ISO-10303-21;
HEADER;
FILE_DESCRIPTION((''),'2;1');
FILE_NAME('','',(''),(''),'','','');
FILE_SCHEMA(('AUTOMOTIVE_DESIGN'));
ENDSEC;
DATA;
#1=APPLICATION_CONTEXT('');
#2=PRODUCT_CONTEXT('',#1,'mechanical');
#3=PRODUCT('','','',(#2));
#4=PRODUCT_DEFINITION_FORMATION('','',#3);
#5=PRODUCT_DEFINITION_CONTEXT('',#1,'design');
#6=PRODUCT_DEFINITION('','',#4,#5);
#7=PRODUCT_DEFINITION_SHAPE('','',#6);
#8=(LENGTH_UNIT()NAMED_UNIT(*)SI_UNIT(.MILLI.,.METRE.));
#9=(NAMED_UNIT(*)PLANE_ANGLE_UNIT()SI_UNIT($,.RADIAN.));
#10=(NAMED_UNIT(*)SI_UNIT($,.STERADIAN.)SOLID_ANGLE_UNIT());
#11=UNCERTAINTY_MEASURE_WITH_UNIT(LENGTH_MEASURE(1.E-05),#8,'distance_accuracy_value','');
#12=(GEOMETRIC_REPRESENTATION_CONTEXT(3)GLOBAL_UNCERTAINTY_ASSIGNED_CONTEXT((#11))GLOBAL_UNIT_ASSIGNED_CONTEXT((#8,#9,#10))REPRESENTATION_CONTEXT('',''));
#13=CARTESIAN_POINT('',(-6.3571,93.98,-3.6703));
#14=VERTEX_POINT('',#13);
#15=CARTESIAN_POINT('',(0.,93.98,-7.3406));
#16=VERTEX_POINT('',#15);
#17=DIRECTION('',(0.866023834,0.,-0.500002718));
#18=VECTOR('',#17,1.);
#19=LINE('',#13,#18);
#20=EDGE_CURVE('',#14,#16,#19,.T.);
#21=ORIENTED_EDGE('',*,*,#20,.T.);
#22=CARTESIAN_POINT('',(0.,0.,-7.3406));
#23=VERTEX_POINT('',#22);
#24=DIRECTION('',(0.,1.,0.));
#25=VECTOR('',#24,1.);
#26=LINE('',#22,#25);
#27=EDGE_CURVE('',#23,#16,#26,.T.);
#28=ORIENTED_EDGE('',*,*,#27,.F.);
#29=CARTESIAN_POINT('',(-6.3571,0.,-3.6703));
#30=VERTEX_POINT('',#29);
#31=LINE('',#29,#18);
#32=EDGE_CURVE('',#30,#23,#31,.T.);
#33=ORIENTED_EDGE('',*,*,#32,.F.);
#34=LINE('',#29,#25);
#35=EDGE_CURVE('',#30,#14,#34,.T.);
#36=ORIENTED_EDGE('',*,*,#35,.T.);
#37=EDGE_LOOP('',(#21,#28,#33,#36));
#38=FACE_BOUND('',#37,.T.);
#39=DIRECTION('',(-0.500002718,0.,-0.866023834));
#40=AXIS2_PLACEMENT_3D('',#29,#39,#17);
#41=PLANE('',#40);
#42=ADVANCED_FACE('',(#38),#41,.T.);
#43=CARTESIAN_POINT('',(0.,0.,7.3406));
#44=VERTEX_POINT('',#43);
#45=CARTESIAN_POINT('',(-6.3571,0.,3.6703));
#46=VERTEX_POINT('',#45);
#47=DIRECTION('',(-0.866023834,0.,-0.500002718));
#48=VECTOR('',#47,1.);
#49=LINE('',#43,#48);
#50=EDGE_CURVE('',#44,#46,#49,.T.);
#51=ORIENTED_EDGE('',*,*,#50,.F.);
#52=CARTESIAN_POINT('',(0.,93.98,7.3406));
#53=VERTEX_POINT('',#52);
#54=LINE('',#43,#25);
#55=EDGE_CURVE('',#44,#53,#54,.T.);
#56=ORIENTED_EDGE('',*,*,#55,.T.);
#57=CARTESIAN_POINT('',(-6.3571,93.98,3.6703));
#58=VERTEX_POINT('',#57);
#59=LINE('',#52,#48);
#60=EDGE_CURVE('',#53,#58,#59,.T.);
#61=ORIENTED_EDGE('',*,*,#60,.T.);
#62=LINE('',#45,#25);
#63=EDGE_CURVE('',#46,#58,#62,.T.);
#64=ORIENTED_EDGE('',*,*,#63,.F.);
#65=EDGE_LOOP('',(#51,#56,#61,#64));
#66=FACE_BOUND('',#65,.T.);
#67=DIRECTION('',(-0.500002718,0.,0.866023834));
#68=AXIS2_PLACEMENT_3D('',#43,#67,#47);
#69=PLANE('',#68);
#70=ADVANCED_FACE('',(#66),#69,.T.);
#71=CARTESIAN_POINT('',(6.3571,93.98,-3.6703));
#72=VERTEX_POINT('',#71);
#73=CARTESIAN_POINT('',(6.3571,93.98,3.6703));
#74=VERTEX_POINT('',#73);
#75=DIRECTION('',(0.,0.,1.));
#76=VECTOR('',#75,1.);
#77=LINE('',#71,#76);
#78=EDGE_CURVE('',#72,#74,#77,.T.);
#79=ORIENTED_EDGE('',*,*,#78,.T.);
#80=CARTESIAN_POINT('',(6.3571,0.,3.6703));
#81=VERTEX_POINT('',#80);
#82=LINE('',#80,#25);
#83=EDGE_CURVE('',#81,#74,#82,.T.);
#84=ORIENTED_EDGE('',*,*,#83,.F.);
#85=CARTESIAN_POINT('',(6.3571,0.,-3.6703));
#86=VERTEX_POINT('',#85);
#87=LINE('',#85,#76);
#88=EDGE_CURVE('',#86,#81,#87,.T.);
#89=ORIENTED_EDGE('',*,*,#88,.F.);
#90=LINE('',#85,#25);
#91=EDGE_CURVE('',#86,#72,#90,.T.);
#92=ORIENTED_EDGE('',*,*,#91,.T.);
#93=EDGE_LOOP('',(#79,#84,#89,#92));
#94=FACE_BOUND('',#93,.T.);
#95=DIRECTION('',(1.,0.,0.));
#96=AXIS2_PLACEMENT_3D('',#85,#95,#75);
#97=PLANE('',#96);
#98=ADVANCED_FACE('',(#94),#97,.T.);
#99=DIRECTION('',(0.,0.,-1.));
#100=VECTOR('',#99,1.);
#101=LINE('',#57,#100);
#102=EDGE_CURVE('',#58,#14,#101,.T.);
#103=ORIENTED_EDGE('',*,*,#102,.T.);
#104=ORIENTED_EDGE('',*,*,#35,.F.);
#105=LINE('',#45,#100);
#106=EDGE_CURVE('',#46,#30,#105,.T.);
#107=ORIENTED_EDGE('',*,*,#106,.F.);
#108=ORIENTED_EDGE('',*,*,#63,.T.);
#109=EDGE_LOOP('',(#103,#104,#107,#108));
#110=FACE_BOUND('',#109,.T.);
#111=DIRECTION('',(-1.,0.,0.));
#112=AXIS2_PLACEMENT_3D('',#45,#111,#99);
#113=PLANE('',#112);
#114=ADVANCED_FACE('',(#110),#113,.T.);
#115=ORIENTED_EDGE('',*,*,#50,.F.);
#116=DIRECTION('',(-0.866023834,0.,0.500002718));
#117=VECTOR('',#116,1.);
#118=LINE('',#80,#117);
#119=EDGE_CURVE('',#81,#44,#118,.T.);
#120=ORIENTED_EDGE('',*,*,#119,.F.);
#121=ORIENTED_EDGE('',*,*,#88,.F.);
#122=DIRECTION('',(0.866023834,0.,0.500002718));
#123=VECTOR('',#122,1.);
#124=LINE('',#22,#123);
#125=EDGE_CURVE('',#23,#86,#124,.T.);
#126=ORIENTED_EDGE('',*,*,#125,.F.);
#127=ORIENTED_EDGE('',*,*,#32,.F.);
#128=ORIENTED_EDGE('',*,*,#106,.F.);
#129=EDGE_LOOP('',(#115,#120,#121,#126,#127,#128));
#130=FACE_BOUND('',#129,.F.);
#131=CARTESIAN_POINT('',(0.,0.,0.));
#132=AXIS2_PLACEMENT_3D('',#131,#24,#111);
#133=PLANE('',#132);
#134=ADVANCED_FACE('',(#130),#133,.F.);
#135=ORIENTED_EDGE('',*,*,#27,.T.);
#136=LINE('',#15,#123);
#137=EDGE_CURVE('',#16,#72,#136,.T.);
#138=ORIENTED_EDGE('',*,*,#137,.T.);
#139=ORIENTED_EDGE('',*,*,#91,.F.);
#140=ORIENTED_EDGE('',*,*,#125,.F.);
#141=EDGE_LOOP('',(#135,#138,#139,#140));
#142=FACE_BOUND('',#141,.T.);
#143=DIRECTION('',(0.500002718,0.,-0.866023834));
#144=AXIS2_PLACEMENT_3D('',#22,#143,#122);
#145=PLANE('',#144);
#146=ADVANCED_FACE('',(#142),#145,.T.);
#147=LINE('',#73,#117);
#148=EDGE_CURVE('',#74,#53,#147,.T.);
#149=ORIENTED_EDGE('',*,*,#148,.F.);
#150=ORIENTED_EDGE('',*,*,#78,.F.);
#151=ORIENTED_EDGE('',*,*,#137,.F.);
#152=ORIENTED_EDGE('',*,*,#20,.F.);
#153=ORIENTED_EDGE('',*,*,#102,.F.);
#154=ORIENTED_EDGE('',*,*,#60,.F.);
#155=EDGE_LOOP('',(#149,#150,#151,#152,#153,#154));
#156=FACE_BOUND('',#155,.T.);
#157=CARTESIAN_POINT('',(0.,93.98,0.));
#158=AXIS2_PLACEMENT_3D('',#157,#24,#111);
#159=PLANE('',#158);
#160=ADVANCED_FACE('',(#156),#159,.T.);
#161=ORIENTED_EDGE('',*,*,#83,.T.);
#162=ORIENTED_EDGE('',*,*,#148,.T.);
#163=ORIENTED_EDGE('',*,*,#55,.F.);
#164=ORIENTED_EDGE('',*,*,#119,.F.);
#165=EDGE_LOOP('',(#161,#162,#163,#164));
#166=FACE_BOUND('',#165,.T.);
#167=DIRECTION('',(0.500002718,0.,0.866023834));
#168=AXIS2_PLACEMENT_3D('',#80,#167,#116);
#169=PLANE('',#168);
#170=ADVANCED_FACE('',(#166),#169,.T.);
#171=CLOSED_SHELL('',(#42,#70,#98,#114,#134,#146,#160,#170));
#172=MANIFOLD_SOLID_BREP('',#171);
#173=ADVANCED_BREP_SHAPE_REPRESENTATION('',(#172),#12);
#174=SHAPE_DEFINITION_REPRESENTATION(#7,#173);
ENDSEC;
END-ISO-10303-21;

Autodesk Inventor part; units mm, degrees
ref_plane "YZ Plane" through (0, 0, 0) normal (1, 0, 0) x (0, 1, 0)
ref_plane "XZ Plane" through (0, 0, 0) normal (0, 1, 0) x (-1, 0, 0)
ref_plane "XY Plane" through (0, 0, 0) normal (0, 0, 1) x (1, 0, 0)
sketch "Sketch1" plane through (0, 0, 0) normal (0, 1, 0) x (-1, 0, 0)
  line L0 (0, -7.3406) -> (-6.3571, -3.6703)
  line L1 (-6.3571, -3.6703) -> (-6.3571, 3.6703)
  line L2 (-6.3571, 3.6703) -> (0, 7.3406)
  line L3 (0, 7.3406) -> (6.3571, 3.6703)
  line L4 (6.3571, 3.6703) -> (6.3571, -3.6703)
  line L5 (6.3571, -3.6703) -> (0, -7.3406)
  point P0 (0, 0)
  point P1 (0, 0)
  dimension "d0" = 7.3406
extrude "Extrusion1" add sketch "Sketch1" along normal blind 93.98
properties part number "drive hex shaft"
